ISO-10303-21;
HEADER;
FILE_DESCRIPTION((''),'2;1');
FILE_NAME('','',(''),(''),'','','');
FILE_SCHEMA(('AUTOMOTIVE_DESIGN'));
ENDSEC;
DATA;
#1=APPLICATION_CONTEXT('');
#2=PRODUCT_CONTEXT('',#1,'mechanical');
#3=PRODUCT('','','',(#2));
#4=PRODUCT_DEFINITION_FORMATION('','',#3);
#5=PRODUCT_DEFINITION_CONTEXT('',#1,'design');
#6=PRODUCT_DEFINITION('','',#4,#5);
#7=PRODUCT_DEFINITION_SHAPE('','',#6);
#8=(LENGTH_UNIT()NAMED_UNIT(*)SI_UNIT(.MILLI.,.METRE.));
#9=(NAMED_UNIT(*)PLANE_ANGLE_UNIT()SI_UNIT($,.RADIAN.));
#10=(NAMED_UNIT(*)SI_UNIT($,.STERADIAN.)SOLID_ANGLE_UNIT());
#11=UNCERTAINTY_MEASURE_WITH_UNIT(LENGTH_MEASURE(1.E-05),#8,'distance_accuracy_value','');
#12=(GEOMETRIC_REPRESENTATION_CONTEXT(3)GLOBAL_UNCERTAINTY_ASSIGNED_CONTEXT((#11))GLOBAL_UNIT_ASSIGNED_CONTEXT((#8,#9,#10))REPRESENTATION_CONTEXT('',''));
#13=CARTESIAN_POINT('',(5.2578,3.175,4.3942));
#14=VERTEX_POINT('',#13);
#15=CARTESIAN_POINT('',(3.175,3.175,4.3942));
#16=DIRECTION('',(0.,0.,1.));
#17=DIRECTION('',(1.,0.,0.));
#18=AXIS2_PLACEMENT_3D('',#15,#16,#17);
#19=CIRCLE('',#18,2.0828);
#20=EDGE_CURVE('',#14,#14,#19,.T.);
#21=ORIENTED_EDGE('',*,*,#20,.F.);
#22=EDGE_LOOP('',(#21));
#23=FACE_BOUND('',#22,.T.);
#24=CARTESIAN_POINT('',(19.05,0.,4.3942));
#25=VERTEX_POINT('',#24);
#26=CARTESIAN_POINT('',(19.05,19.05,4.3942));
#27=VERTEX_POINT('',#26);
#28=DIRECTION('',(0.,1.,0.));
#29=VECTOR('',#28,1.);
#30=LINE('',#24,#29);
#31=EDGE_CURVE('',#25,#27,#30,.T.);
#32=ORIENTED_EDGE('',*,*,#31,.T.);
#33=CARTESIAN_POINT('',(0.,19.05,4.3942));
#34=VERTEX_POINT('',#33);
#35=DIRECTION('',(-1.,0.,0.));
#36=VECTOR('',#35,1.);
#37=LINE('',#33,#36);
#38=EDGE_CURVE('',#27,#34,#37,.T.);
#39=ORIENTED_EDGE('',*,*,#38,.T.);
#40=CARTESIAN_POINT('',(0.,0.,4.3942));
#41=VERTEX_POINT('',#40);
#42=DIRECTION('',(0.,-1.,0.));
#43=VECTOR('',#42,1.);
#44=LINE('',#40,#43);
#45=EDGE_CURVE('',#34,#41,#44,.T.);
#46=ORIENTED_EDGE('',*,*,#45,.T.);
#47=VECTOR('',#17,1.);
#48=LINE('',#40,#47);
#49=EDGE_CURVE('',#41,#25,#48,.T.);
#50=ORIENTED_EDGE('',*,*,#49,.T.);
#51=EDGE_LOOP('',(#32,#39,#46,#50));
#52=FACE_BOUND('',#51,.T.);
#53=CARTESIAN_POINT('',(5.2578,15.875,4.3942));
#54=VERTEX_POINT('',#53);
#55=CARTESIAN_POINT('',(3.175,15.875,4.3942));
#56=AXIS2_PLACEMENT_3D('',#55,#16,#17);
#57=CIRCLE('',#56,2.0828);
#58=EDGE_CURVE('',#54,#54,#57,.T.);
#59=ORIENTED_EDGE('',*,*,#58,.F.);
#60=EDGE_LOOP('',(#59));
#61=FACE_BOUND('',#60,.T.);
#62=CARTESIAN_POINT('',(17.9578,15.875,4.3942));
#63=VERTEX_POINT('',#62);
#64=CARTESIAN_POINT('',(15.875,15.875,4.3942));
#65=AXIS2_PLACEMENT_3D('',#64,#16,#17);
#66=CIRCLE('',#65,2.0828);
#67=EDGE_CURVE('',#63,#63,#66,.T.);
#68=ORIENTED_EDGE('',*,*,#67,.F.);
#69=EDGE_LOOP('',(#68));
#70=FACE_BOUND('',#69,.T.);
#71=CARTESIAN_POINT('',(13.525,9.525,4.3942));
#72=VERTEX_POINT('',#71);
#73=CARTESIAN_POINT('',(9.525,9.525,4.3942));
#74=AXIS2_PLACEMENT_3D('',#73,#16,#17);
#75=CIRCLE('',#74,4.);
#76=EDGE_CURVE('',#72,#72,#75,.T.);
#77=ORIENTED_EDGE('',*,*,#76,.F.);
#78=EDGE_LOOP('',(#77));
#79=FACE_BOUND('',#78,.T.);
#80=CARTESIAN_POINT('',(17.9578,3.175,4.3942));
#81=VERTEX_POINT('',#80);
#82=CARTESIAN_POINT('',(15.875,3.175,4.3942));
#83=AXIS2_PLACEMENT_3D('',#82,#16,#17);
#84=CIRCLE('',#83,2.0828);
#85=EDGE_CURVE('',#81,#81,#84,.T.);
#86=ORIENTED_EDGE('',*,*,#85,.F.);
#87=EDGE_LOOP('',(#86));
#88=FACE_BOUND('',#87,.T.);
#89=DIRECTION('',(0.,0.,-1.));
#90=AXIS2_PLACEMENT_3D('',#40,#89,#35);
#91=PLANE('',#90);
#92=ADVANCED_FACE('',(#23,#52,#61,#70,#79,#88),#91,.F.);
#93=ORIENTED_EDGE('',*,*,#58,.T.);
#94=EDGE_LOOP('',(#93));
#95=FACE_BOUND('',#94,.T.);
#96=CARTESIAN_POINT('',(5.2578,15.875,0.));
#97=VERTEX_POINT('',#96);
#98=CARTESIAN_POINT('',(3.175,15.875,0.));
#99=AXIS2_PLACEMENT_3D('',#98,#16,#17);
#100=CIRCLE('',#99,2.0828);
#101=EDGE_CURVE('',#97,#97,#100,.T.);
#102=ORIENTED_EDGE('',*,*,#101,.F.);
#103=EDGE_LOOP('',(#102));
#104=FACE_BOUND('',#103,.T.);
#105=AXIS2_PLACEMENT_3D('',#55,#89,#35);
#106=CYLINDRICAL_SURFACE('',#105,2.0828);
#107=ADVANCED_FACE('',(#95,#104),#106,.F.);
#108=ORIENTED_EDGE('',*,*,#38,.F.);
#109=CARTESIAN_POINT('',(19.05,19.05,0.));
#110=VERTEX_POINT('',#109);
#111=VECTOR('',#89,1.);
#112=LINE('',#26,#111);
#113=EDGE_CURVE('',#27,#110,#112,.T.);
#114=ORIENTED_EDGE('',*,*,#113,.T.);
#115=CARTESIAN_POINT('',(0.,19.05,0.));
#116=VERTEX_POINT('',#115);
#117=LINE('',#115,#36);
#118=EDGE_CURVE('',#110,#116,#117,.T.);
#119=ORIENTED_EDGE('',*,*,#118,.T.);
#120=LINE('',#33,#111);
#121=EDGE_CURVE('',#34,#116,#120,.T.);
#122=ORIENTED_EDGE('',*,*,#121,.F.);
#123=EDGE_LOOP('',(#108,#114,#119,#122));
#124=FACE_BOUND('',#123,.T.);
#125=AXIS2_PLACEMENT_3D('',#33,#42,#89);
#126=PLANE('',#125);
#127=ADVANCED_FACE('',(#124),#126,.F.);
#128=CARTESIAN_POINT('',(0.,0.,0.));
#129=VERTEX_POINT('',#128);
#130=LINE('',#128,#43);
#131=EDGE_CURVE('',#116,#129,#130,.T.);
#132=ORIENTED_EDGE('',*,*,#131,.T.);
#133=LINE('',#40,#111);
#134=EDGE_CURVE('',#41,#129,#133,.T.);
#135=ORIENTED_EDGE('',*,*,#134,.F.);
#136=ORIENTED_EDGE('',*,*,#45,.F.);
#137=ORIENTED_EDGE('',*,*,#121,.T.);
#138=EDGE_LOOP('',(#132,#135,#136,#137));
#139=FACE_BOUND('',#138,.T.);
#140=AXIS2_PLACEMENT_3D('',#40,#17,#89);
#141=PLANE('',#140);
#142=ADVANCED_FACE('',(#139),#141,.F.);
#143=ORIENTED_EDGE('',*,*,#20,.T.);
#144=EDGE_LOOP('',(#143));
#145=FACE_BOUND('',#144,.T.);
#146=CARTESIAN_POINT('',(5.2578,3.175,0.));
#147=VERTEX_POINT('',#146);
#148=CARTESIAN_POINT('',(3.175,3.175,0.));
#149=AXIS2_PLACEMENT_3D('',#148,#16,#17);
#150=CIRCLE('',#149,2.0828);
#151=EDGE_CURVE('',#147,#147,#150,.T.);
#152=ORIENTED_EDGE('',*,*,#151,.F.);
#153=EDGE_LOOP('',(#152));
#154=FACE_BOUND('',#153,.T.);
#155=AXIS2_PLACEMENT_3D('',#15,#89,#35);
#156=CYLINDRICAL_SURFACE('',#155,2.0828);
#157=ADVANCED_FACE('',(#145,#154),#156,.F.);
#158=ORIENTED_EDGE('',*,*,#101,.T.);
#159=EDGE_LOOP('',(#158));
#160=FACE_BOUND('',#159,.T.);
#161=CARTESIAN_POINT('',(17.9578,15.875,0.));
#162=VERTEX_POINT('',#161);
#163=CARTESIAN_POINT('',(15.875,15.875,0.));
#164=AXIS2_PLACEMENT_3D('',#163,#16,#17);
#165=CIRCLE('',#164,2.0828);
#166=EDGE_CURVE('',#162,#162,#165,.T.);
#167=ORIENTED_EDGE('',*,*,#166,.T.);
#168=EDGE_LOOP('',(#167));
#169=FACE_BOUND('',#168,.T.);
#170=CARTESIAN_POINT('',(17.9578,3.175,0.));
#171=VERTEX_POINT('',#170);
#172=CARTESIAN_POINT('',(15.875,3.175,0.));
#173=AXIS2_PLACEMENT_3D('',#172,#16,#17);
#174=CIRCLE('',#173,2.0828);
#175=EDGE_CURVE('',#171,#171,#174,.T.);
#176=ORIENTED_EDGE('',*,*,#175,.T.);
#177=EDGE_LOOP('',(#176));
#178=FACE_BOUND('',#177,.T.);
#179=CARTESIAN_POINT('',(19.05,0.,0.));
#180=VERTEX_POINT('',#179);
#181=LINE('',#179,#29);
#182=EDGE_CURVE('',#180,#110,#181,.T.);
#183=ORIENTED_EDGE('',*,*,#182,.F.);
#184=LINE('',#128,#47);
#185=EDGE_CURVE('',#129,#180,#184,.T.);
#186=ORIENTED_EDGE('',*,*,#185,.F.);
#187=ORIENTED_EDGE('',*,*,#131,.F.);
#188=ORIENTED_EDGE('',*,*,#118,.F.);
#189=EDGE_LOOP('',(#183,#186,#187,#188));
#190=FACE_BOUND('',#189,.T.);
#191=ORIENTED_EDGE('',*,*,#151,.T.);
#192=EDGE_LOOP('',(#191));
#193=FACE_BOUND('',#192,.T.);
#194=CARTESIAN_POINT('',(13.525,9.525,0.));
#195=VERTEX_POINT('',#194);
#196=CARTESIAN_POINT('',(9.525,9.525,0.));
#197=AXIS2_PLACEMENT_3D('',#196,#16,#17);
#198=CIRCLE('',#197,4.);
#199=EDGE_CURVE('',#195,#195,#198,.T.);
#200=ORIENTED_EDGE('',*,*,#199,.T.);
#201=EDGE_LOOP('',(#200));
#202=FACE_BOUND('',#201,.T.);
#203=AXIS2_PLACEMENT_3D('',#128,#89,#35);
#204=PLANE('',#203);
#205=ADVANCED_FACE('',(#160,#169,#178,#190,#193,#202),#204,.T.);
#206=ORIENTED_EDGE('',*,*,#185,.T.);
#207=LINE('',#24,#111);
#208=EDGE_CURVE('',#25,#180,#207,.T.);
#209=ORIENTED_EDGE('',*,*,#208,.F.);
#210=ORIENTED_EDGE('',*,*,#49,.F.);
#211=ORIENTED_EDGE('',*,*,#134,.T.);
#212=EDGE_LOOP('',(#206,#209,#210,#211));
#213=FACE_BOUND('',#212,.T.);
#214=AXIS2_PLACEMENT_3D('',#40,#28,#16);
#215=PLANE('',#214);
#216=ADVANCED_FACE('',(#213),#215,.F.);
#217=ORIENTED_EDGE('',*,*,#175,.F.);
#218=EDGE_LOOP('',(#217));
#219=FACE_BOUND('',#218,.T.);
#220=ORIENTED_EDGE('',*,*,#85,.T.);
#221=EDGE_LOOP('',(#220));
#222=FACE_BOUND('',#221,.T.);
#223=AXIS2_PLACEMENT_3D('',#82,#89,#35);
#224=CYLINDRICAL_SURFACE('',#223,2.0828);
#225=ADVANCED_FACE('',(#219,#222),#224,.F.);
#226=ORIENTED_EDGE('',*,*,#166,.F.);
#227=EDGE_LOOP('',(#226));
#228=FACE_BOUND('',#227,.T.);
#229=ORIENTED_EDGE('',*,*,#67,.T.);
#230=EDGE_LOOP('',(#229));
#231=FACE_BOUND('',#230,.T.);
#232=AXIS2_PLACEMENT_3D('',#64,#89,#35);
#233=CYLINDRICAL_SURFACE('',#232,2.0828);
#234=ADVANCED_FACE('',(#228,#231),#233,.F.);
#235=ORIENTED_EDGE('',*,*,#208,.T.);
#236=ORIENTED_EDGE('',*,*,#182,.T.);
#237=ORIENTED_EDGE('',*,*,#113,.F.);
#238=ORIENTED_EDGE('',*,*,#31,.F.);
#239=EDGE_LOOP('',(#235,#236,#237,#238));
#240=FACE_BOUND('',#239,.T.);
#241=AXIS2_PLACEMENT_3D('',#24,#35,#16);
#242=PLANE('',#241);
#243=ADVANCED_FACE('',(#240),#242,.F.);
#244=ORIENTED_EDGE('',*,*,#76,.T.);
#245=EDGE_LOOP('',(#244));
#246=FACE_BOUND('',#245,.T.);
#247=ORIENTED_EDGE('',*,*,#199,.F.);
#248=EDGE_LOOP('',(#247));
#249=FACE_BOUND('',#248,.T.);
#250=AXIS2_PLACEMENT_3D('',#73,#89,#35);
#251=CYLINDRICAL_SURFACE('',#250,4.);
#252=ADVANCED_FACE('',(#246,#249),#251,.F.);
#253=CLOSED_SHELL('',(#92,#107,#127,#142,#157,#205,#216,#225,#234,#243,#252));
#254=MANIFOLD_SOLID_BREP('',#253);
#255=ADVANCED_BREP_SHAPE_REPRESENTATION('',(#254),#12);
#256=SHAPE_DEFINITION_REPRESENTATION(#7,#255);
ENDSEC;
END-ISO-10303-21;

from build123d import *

# Parameters (mm, degrees)
SKETCH1_W           = 19.05
SKETCH1_H           = 19.05
SKETCH1_R           = 2.0828
SKETCH1_R_2         = 4
BOSS_EXTRUDE1_DEPTH = 4.3942


with BuildPart() as part:
    # Sketch1 → Boss-Extrude1 (new body)
    with BuildSketch(Plane.XY):
        with Locations((9.525, 9.525)):
            Rectangle(SKETCH1_W, SKETCH1_H)
        with Locations((3.175, 3.175)):
            Circle(SKETCH1_R, mode=Mode.SUBTRACT)
        with Locations((3.175, 15.875)):
            Circle(SKETCH1_R, mode=Mode.SUBTRACT)
        with Locations((15.875, 15.875)):
            Circle(SKETCH1_R, mode=Mode.SUBTRACT)
        with Locations((15.875, 3.175)):
            Circle(SKETCH1_R, mode=Mode.SUBTRACT)
        with Locations((9.525, 9.525)):
            Circle(SKETCH1_R_2, mode=Mode.SUBTRACT)
    extrude(amount=BOSS_EXTRUDE1_DEPTH)


solid = part.part
